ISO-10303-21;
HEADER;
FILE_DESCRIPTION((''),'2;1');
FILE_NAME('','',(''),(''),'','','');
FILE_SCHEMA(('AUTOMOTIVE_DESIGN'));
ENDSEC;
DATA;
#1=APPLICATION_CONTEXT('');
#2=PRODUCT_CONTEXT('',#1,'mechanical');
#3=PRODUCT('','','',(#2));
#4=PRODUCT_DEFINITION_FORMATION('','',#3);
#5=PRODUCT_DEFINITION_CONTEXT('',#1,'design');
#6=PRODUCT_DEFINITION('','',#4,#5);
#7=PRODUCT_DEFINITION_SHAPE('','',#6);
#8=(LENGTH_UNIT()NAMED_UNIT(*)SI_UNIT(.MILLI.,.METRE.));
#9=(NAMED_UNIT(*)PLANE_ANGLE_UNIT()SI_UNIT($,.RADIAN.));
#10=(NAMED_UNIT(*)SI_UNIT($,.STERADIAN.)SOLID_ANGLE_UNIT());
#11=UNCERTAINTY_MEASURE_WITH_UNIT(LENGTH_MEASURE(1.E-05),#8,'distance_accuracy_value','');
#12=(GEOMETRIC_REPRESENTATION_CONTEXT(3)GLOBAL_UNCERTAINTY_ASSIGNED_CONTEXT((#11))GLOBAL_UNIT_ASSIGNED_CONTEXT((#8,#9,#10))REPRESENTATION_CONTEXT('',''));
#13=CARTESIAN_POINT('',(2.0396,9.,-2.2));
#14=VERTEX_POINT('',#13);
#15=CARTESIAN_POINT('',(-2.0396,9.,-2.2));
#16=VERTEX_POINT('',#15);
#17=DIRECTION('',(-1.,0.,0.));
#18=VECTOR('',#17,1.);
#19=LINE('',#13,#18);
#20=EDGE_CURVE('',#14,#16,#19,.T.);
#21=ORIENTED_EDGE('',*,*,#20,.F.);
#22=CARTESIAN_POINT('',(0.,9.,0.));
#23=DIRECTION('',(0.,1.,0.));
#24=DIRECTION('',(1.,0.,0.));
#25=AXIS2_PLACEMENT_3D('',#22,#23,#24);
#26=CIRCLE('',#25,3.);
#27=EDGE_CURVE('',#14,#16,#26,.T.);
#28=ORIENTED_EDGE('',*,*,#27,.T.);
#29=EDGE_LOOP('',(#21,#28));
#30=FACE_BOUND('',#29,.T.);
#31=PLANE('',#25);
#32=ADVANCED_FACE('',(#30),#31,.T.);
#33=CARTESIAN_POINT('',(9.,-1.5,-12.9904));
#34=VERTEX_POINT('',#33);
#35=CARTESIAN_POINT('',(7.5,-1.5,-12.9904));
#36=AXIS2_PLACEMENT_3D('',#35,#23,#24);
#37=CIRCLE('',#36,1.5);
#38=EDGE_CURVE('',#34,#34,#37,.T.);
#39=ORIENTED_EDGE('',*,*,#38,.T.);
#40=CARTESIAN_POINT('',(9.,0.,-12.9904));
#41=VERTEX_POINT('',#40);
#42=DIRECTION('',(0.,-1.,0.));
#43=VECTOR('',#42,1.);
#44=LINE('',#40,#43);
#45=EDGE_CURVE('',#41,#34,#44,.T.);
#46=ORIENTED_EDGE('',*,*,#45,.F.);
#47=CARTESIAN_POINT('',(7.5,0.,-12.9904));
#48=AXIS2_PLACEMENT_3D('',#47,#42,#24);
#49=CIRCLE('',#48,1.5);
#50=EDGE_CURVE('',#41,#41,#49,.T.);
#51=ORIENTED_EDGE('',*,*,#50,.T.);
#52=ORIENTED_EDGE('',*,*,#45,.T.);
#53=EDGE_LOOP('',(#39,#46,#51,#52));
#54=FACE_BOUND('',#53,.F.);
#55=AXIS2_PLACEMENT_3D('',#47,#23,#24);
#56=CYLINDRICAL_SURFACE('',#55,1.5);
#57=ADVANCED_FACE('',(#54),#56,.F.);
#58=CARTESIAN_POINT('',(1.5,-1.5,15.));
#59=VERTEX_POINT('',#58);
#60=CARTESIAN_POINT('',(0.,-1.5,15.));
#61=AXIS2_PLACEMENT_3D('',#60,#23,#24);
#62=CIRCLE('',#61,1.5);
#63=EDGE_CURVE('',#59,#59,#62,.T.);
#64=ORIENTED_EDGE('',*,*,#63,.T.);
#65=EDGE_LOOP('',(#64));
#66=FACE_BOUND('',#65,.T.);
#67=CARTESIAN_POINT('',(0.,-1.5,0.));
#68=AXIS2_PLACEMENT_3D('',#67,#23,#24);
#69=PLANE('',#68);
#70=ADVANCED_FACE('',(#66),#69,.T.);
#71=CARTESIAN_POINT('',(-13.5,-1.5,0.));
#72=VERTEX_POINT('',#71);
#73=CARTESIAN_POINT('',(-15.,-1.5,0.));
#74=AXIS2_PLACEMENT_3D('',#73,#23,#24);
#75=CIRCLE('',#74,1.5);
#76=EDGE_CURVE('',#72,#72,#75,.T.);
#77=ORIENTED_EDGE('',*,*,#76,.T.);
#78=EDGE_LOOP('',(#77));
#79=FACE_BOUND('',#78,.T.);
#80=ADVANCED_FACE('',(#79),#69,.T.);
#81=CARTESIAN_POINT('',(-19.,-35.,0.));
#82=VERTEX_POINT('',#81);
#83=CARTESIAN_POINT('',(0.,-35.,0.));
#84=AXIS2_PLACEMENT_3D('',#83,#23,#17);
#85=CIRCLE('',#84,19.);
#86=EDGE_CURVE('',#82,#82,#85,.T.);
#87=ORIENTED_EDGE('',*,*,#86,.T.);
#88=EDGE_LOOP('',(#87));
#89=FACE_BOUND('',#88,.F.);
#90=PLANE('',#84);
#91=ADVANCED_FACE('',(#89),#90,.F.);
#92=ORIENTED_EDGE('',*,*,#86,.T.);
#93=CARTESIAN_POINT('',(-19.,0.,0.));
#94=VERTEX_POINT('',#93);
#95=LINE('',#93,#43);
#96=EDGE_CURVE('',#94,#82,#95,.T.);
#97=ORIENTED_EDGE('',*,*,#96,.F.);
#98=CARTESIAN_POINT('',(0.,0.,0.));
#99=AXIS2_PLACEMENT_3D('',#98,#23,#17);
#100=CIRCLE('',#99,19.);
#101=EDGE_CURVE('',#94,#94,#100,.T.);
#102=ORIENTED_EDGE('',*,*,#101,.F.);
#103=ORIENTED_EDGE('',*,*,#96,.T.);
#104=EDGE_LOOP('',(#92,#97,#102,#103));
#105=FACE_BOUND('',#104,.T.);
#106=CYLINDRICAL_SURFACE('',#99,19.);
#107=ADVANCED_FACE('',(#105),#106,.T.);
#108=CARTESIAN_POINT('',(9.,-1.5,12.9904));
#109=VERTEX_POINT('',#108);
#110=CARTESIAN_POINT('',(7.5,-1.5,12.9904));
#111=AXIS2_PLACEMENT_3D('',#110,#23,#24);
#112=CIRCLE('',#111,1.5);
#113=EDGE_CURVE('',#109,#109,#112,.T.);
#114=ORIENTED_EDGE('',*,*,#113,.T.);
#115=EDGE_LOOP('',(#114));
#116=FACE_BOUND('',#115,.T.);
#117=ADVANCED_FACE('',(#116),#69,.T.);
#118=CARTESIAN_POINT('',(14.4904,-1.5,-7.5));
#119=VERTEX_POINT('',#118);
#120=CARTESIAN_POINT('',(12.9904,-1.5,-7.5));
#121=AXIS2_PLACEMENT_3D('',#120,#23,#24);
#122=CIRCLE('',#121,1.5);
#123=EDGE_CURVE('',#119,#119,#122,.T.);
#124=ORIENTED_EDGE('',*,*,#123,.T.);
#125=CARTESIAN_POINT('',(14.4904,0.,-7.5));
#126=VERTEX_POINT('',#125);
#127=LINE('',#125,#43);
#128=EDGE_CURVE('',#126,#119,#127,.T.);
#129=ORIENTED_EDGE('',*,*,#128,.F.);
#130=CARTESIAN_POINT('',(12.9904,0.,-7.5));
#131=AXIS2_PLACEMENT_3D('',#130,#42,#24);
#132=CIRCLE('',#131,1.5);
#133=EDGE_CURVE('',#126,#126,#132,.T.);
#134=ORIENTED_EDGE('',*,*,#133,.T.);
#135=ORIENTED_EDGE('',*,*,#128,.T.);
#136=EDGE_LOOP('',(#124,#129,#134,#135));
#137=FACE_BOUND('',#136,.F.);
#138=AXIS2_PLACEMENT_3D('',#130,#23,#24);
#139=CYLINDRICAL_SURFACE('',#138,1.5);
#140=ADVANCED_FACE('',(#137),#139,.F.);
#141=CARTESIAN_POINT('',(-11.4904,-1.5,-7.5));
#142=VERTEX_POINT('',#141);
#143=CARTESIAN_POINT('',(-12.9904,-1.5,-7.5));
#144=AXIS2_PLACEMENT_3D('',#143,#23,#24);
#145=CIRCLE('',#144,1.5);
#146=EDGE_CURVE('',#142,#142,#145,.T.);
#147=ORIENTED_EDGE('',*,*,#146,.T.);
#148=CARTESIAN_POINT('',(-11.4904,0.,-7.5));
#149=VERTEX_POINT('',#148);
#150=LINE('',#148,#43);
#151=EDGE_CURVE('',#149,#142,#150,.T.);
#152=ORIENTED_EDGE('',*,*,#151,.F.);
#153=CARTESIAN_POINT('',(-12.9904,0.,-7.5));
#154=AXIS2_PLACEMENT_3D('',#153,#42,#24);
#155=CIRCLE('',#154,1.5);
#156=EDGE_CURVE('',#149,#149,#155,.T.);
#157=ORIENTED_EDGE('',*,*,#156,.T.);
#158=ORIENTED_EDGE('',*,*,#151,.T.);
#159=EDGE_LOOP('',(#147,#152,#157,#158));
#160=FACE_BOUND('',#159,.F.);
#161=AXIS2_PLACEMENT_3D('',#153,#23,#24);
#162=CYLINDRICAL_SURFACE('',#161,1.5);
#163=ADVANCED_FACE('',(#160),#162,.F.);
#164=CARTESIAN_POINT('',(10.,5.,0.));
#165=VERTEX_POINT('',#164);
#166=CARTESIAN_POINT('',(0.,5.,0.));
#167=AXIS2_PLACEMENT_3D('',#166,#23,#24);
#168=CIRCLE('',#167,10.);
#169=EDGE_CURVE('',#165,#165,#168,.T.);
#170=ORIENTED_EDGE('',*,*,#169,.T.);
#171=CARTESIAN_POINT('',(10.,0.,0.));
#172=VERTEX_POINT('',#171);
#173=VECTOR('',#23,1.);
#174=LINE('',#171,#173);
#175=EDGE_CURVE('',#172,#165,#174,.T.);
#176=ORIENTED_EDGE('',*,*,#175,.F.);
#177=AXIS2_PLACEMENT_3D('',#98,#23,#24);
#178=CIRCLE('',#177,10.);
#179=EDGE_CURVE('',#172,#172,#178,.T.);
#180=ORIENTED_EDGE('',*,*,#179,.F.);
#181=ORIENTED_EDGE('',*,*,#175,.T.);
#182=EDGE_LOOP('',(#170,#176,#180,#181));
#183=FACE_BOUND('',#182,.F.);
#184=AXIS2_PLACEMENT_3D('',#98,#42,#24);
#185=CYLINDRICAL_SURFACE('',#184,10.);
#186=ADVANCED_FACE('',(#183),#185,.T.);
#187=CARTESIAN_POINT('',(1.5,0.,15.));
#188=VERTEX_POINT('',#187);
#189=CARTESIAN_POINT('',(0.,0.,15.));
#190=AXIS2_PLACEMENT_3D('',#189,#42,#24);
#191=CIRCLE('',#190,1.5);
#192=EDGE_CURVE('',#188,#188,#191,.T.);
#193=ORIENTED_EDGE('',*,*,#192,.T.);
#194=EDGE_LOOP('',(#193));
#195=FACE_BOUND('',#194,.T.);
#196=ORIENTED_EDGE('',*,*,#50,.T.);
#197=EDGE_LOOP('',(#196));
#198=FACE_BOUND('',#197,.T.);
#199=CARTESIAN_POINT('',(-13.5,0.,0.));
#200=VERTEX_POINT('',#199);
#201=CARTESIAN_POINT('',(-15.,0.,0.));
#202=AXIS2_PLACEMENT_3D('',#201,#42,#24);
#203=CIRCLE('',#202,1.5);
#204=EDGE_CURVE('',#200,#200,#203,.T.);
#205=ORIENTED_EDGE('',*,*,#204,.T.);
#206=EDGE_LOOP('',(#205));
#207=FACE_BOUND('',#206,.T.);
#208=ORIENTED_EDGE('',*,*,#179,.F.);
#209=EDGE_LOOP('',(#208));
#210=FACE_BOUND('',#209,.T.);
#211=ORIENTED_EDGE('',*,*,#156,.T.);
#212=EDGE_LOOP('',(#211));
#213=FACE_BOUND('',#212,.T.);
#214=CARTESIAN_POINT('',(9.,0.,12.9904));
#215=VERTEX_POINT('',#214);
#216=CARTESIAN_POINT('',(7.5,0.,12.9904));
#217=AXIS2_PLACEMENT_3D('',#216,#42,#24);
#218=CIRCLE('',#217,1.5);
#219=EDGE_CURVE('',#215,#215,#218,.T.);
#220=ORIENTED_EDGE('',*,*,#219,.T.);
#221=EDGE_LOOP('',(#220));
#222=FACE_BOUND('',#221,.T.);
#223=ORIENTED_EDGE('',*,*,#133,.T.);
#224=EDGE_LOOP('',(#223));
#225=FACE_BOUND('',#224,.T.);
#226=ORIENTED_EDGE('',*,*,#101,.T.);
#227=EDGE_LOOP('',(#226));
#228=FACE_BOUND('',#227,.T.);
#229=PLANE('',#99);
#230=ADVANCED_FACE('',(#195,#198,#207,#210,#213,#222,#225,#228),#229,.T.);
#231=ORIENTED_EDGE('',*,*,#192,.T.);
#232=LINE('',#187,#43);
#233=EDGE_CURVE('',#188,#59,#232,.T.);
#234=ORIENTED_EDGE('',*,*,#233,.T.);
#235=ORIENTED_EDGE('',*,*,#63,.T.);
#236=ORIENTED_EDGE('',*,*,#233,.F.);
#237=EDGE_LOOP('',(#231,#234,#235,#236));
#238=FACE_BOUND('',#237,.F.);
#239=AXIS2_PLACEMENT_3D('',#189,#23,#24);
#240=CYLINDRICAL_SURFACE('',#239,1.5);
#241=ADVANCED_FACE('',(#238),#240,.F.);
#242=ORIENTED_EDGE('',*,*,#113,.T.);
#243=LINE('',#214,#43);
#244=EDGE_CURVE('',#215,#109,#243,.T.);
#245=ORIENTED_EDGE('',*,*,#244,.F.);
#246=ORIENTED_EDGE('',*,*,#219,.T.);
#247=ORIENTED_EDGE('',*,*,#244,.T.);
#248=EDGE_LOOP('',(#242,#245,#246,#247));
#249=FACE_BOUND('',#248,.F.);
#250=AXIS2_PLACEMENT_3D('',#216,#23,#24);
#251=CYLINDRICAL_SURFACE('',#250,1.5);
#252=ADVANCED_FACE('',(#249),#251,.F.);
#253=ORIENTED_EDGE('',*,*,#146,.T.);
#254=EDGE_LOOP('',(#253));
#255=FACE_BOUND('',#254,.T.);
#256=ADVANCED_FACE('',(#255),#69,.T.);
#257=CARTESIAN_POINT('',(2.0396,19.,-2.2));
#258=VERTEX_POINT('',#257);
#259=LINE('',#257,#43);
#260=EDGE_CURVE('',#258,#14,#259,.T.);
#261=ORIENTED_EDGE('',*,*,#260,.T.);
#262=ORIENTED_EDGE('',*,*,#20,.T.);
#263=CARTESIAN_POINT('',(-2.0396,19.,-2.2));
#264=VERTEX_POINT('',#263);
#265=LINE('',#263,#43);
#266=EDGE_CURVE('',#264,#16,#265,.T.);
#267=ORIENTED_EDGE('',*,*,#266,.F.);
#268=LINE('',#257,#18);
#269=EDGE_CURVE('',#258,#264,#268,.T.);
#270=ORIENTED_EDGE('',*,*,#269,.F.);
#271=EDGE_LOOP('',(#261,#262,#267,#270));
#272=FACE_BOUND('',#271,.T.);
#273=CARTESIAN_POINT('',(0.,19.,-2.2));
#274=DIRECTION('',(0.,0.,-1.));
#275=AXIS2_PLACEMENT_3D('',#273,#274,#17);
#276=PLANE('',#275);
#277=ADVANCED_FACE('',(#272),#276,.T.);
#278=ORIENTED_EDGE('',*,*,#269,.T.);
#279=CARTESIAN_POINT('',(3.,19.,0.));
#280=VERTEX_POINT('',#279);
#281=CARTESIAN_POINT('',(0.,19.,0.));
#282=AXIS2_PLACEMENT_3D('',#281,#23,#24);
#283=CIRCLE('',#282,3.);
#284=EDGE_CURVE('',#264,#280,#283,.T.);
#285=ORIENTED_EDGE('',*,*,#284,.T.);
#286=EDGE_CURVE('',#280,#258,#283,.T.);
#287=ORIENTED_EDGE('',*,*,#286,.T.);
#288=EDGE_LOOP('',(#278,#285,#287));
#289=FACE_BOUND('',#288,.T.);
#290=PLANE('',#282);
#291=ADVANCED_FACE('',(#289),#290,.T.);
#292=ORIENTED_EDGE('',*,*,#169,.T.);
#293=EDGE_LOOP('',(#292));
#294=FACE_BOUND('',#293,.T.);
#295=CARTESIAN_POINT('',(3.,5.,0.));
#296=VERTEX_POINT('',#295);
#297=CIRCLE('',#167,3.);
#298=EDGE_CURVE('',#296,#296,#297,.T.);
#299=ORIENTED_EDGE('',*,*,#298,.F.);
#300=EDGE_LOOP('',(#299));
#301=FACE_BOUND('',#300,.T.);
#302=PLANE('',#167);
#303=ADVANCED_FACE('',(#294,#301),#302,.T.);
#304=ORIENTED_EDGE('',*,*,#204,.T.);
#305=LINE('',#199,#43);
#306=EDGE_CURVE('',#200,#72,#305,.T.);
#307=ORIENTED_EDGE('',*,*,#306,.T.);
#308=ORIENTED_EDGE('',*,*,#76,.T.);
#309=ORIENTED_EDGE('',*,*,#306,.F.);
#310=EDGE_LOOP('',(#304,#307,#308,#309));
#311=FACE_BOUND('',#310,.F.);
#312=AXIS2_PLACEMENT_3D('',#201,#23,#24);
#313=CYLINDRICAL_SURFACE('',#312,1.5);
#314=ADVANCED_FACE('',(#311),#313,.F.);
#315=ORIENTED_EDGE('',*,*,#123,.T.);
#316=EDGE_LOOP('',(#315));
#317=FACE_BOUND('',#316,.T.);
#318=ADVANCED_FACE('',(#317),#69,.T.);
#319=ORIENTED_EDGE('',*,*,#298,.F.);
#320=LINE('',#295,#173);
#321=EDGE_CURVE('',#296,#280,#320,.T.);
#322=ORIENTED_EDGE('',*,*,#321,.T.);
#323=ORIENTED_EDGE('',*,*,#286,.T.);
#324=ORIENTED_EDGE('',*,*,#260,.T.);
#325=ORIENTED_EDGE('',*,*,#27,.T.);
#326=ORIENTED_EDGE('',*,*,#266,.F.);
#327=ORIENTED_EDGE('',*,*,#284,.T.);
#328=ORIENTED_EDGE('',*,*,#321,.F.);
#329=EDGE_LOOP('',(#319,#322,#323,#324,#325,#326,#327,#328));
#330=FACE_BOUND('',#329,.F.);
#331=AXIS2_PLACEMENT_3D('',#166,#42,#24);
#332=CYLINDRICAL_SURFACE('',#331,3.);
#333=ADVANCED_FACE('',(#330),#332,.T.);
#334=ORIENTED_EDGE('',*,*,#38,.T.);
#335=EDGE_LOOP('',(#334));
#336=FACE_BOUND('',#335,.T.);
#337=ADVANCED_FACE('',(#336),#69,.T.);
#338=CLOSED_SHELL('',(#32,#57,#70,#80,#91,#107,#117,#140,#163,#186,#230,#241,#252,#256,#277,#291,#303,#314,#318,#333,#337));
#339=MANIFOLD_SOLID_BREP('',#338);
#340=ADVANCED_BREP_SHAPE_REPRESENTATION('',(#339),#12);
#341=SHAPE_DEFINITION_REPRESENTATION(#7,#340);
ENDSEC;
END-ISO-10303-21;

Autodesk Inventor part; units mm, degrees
ref_plane "YZ Plane" through (0, 0, 0) normal (1, 0, 0) x (0, 1, 0)
ref_plane "XZ Plane" through (0, 0, 0) normal (0, 1, 0) x (-1, 0, 0)
ref_plane "XY Plane" through (0, 0, 0) normal (0, 0, 1) x (1, 0, 0)
sketch "草图1" plane through (0, 0, 0) normal (0, 1, 0) x (-1, 0, 0)
  circle A0 centre (0, 0) radius 19
  circle A1 centre (0, 0) radius 10
  dimension "d0" = 38
  dimension "d1" = 20
extrude "拉伸1" add sketch "草图1" against normal blind 35 contours A0 | A1
sketch "草图2" plane through (0, 0, 0) normal (0, 1, 0) x (1, 0, 0)
  circle A0 centre (0, 0) radius 10
  circle A1 centre (0, 0) radius 15
  circle A2 centre (-15, 0) radius 1.5
  circle A3 centre (7.5, -12.9904) radius 1.5
  circle A4 centre (7.5, 12.9904) radius 1.5
  line L0 (0, 0) -> (-12.9904, 7.5)
  line L1 (0, 0) -> (15, 0) construction
  circle A5 centre (-12.9904, 7.5) radius 1.5
  circle A6 centre (0, -15) radius 1.5
  circle A7 centre (12.9904, 7.5) radius 1.5
  dimension "d4" = 20
  dimension "d5" = 30
  dimension "d6" = 3
  dimension "d9" = 360
  dimension "d11" = 150
  dimension "d12" = 3
  dimension "d15" = 360
extrude "拉伸2" cut sketch "草图2" against normal blind 1.5 contours A5 A1 L0 | L0 A1 A5 | A1 A5 | A2 A1 | A1 A2 | A4 A1 | A1 A4 | A6 A1 | A1 A6 | A7 A1 | A1 A7 | A3 A1 | A1 A3
sketch "草图3" plane through (0, 0, 0) normal (0, 1, 0) x (1, 0, 0)
  circle A0 centre (0, 0) radius 10
  dimension "d19" = 20
extrude "拉伸3" add sketch "草图3" along normal blind 5
sketch "草图4" plane through (0, 5, 0) normal (0, 1, 0) x (1, 0, 0)
  circle A0 centre (0, 0) radius 3
  dimension "d22" = 6
extrude "拉伸4" add sketch "草图4" along normal blind 14
sketch "草图5" plane through (0, 19, 0) normal (0, 1, 0) x (1, 0, 0)
  circle A0 centre (0, 0) radius 3 projected
  line L0 (0, -3) -> (0, 2.2)
  line L1 (0, 2.2) -> (-2.0396, 2.2)
  line L2 (0, 2.2) -> (2.0396, 2.2)
  dimension "d25" = 5.2
extrude "拉伸5" cut sketch "草图5" against normal blind 10 contours L2 L1 A0
thread "螺纹1" size "M3x0.5" class "6H" standard "ANSI Metric M Profile" length 1.5
thread "螺纹2" size "M3x0.5" class "6H" standard "ANSI Metric M Profile" length 1.5
thread "螺纹3" size "M3x0.5" class "6H" standard "ANSI Metric M Profile" length 1.5
thread "螺纹4" size "M3x0.5" class "6H" standard "ANSI Metric M Profile" length 1.5
thread "螺纹5" size "M3x0.5" class "6H" standard "ANSI Metric M Profile" length 1.5
thread "螺纹6" size "M3x0.5" class "6H" standard "ANSI Metric M Profile" length 1.5
properties part number "rotary_encoder"
